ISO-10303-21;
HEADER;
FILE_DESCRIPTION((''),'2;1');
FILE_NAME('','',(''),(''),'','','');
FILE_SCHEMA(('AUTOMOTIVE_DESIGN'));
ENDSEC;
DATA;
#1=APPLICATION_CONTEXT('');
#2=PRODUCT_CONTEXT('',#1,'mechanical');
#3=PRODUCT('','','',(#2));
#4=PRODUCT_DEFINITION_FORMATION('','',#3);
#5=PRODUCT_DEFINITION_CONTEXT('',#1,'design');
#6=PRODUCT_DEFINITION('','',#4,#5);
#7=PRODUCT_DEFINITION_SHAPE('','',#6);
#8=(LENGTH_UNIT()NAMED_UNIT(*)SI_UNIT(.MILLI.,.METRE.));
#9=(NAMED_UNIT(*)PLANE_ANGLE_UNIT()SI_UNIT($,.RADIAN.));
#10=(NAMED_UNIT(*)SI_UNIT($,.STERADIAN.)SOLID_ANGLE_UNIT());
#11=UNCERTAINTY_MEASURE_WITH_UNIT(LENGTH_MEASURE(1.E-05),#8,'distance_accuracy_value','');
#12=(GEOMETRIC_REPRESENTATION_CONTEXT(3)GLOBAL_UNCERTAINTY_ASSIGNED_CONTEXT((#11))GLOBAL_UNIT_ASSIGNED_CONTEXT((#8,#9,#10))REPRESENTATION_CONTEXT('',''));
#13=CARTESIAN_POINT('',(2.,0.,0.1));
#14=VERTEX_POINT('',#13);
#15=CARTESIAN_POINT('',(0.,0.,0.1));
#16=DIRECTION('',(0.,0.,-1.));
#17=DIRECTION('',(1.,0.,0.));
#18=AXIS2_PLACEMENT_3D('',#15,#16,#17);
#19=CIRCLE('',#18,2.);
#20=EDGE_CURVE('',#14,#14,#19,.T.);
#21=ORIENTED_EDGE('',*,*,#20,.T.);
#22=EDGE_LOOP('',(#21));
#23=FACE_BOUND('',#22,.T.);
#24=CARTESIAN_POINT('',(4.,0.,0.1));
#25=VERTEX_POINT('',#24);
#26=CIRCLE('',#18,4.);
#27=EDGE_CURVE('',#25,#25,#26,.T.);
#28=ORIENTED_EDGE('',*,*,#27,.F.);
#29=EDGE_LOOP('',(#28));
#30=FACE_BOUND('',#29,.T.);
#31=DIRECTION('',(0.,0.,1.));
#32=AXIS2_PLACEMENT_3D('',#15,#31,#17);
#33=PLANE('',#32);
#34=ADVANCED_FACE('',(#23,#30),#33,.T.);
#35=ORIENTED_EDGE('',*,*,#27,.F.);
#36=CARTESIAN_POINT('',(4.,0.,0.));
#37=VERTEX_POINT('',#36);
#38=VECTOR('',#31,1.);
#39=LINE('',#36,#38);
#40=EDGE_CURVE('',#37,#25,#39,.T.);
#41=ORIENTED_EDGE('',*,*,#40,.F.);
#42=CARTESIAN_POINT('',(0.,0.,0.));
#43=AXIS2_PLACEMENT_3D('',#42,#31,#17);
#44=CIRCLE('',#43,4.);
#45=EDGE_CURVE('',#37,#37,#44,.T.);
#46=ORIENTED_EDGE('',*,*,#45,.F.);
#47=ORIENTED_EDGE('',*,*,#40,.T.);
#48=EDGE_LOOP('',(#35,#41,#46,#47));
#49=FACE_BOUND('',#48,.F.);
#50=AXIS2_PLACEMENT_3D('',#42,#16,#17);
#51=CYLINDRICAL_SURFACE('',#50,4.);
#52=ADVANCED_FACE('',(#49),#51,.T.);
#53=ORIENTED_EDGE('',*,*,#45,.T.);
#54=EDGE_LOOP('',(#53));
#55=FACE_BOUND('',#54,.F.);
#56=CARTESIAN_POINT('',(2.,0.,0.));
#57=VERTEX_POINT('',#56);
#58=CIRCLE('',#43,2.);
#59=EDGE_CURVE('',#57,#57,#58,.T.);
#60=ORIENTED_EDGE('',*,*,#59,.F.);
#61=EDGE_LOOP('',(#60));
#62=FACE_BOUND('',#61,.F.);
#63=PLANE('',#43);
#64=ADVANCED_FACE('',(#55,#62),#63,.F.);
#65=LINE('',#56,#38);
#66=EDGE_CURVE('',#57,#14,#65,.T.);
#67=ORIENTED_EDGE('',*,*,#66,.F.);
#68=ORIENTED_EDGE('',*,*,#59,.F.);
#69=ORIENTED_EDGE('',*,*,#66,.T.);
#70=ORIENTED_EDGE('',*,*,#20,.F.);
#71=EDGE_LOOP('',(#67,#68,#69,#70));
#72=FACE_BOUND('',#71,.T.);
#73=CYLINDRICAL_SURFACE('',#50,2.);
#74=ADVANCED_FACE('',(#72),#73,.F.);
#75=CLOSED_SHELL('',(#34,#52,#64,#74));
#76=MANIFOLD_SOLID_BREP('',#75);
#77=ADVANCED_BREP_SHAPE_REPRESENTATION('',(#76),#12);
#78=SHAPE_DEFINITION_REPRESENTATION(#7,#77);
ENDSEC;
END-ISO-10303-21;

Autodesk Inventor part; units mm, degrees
ref_plane "YZ Plane" through (0, 0, 0) normal (1, 0, 0) x (0, 1, 0)
ref_plane "XZ Plane" through (0, 0, 0) normal (0, 1, 0) x (-1, 0, 0)
ref_plane "XY Plane" through (0, 0, 0) normal (0, 0, 1) x (1, 0, 0)
sketch "Sketch1" plane through (0, 0, 0) normal (0, 0, 1) x (1, 0, 0)
  circle A0 centre (0, 0) radius 2
  circle A1 centre (0, 0) radius 4
  line L0 (-21, 0) -> (21, 0) projected
  line L1 (0, 21) -> (0, -21) projected
  dimension "d0" = 4
  dimension "d1" = 8
extrude "Body" add sketch "Sketch1" along normal blind 0.1 contours L0 A1 L1 A0 | A0 L1 A1 L0 | A0 L0 A1 L1 | L1 A1 L0 A0
equation "\"d0\" = SD1"
equation "\"d1\" = SD2"
equation "\"d2\" = SD"
equation "\"SD2\" = 8"
equation "\"SD\" = 0.1"
equation "\"SD1\" = 4"
equation "\"NND\" = 4"
equation "\"SR\" = 0.5 * NND2"
equation "\"NND2\" = 8"
properties part number "DIN 988 - 4 x 8 x 0,1" material "Steel, Mild"
